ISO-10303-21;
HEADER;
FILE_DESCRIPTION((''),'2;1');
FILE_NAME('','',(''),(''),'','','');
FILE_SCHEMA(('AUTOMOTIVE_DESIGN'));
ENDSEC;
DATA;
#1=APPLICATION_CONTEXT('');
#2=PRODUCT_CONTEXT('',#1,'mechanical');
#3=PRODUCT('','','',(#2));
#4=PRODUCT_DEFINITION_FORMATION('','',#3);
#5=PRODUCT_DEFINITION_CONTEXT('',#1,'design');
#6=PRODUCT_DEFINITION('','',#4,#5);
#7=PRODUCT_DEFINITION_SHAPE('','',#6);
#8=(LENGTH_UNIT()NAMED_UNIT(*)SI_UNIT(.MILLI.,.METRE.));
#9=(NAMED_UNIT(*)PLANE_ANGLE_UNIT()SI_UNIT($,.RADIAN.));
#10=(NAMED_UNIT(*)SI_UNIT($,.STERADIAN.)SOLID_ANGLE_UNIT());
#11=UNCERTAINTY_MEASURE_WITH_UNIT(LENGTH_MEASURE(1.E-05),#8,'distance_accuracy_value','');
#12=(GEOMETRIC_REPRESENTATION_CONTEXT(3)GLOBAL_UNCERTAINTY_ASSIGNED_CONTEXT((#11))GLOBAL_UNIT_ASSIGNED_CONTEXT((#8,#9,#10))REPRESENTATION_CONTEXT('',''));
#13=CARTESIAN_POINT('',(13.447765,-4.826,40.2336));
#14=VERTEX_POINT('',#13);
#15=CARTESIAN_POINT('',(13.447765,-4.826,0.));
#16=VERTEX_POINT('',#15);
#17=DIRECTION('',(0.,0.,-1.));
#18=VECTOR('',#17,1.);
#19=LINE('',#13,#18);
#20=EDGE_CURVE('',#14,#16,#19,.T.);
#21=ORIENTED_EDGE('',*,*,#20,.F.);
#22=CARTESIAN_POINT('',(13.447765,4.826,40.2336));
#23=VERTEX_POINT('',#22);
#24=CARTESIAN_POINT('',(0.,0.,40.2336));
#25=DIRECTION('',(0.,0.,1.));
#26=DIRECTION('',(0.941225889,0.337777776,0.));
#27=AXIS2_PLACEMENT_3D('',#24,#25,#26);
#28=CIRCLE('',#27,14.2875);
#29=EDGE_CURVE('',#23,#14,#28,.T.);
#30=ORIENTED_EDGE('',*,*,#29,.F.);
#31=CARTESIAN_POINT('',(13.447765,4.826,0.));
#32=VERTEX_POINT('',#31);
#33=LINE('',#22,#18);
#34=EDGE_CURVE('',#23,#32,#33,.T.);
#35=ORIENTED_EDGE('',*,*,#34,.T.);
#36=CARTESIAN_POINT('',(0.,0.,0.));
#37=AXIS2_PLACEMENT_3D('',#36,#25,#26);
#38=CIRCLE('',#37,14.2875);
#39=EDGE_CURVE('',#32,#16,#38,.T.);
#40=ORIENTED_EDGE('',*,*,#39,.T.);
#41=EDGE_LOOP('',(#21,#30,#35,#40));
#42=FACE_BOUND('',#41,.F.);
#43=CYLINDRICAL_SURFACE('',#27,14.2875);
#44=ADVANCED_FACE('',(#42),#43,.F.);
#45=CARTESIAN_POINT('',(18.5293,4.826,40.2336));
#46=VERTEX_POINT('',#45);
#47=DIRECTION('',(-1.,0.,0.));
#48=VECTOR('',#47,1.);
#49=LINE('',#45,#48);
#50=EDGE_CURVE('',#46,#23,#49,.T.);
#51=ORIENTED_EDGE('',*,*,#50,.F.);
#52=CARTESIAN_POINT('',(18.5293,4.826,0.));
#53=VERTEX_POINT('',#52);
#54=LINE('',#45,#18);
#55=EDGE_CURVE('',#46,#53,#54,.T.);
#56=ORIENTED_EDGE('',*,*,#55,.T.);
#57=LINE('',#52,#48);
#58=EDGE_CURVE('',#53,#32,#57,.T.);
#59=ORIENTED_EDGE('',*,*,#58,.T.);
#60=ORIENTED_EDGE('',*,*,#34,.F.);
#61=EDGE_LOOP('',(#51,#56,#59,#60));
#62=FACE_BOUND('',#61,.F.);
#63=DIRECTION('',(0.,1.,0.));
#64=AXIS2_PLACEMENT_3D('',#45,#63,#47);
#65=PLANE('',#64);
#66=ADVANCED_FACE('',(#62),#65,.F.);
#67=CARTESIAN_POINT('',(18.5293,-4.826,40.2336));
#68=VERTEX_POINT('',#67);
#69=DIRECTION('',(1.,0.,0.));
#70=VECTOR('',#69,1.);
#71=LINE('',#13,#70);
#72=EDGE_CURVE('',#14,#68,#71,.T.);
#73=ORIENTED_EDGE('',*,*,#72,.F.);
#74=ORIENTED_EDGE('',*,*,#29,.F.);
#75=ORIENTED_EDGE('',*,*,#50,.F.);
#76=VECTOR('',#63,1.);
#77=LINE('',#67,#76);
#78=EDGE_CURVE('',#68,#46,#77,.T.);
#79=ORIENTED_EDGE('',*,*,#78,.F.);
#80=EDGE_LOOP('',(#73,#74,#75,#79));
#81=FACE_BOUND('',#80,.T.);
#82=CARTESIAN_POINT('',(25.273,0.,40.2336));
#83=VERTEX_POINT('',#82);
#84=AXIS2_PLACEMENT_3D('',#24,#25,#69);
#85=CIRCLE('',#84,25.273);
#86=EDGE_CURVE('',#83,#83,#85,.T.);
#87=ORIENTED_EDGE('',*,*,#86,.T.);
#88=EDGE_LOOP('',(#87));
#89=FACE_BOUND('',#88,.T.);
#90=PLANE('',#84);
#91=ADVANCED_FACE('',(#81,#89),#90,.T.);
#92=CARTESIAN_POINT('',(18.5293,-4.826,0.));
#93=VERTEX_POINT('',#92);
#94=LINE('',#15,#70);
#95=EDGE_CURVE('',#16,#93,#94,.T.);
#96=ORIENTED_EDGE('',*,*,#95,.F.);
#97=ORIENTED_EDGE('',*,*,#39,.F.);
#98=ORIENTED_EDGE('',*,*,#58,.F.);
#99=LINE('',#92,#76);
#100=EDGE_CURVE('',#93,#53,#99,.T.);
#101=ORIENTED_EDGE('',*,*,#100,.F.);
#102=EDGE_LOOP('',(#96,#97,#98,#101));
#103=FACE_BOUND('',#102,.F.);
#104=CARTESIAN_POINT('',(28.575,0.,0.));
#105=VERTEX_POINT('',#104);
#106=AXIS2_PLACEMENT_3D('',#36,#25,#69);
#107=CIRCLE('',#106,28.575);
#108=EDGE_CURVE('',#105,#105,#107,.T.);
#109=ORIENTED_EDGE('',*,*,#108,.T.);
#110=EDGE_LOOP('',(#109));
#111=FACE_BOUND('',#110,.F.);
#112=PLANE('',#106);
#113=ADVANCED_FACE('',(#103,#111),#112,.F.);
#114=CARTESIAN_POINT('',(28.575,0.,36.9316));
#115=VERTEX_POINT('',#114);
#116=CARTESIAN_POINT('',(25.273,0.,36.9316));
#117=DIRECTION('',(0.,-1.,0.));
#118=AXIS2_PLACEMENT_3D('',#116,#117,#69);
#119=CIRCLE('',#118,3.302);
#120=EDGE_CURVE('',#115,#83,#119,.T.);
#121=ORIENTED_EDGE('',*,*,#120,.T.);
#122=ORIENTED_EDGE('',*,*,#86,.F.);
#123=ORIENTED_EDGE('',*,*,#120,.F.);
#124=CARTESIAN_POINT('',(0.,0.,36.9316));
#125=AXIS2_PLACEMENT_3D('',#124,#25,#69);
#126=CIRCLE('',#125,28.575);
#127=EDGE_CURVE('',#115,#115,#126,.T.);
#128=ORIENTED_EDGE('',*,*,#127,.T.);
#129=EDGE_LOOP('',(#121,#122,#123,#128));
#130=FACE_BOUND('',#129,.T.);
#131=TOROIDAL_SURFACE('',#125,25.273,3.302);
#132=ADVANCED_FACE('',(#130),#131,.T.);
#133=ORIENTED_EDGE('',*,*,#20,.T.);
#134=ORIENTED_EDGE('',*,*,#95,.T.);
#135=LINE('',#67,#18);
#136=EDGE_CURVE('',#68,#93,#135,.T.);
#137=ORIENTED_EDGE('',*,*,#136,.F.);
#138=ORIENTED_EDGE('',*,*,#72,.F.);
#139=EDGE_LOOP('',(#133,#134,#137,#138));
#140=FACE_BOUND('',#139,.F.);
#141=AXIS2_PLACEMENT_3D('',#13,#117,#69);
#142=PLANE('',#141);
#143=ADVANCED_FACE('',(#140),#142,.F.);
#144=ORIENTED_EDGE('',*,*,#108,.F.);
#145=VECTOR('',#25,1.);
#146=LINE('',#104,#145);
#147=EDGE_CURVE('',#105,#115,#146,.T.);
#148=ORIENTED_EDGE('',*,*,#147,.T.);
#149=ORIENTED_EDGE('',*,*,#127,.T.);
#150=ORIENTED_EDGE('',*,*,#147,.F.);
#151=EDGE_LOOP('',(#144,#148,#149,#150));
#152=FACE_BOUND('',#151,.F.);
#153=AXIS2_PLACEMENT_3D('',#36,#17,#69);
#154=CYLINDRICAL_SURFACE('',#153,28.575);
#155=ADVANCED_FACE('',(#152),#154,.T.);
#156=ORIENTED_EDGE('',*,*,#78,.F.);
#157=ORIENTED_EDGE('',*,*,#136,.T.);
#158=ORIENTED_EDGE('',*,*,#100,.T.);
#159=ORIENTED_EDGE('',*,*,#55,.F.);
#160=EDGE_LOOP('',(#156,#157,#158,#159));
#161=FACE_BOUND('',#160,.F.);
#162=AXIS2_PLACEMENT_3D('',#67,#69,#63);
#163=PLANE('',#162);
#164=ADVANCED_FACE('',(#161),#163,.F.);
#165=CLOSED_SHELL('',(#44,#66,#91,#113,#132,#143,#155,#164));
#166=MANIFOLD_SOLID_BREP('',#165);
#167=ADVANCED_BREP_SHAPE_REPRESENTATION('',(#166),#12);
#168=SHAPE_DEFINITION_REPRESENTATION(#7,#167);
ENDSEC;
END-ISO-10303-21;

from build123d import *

# Parameters (mm, degrees)
F0_R     = 28.575
F1_DEPTH = 40.2336
F2_R     = 3.302
F4_DEPTH = 40.2336


with BuildPart() as f1:
    # F0 (on Top) → F1 (new body)
    with BuildSketch(Plane.XY):
        Circle(F0_R)
    extrude(amount=F1_DEPTH)

    # F2
    f2_edges = [f1.edges().sort_by_distance(p)[0] for p in [
        (-28.575, 0, 40.2336),
    ]]
    fillet(f2_edges, radius=F2_R)

    # F3 (on face) → F4 (cut, through all)
    with BuildSketch(Plane.XY.offset(40.2336)):
        with BuildLine():
            Line((18.5293, 4.826), (13.447765, 4.826))
            ThreePointArc((13.447765, 4.826), (-14.2875, 0), (13.447765, -4.826))
            Line((13.447765, -4.826), (18.5293, -4.826))
            Line((18.5293, -4.826), (18.5293, 4.826))
        make_face()
    extrude(amount=-F4_DEPTH, mode=Mode.SUBTRACT)


solid = f1.part
